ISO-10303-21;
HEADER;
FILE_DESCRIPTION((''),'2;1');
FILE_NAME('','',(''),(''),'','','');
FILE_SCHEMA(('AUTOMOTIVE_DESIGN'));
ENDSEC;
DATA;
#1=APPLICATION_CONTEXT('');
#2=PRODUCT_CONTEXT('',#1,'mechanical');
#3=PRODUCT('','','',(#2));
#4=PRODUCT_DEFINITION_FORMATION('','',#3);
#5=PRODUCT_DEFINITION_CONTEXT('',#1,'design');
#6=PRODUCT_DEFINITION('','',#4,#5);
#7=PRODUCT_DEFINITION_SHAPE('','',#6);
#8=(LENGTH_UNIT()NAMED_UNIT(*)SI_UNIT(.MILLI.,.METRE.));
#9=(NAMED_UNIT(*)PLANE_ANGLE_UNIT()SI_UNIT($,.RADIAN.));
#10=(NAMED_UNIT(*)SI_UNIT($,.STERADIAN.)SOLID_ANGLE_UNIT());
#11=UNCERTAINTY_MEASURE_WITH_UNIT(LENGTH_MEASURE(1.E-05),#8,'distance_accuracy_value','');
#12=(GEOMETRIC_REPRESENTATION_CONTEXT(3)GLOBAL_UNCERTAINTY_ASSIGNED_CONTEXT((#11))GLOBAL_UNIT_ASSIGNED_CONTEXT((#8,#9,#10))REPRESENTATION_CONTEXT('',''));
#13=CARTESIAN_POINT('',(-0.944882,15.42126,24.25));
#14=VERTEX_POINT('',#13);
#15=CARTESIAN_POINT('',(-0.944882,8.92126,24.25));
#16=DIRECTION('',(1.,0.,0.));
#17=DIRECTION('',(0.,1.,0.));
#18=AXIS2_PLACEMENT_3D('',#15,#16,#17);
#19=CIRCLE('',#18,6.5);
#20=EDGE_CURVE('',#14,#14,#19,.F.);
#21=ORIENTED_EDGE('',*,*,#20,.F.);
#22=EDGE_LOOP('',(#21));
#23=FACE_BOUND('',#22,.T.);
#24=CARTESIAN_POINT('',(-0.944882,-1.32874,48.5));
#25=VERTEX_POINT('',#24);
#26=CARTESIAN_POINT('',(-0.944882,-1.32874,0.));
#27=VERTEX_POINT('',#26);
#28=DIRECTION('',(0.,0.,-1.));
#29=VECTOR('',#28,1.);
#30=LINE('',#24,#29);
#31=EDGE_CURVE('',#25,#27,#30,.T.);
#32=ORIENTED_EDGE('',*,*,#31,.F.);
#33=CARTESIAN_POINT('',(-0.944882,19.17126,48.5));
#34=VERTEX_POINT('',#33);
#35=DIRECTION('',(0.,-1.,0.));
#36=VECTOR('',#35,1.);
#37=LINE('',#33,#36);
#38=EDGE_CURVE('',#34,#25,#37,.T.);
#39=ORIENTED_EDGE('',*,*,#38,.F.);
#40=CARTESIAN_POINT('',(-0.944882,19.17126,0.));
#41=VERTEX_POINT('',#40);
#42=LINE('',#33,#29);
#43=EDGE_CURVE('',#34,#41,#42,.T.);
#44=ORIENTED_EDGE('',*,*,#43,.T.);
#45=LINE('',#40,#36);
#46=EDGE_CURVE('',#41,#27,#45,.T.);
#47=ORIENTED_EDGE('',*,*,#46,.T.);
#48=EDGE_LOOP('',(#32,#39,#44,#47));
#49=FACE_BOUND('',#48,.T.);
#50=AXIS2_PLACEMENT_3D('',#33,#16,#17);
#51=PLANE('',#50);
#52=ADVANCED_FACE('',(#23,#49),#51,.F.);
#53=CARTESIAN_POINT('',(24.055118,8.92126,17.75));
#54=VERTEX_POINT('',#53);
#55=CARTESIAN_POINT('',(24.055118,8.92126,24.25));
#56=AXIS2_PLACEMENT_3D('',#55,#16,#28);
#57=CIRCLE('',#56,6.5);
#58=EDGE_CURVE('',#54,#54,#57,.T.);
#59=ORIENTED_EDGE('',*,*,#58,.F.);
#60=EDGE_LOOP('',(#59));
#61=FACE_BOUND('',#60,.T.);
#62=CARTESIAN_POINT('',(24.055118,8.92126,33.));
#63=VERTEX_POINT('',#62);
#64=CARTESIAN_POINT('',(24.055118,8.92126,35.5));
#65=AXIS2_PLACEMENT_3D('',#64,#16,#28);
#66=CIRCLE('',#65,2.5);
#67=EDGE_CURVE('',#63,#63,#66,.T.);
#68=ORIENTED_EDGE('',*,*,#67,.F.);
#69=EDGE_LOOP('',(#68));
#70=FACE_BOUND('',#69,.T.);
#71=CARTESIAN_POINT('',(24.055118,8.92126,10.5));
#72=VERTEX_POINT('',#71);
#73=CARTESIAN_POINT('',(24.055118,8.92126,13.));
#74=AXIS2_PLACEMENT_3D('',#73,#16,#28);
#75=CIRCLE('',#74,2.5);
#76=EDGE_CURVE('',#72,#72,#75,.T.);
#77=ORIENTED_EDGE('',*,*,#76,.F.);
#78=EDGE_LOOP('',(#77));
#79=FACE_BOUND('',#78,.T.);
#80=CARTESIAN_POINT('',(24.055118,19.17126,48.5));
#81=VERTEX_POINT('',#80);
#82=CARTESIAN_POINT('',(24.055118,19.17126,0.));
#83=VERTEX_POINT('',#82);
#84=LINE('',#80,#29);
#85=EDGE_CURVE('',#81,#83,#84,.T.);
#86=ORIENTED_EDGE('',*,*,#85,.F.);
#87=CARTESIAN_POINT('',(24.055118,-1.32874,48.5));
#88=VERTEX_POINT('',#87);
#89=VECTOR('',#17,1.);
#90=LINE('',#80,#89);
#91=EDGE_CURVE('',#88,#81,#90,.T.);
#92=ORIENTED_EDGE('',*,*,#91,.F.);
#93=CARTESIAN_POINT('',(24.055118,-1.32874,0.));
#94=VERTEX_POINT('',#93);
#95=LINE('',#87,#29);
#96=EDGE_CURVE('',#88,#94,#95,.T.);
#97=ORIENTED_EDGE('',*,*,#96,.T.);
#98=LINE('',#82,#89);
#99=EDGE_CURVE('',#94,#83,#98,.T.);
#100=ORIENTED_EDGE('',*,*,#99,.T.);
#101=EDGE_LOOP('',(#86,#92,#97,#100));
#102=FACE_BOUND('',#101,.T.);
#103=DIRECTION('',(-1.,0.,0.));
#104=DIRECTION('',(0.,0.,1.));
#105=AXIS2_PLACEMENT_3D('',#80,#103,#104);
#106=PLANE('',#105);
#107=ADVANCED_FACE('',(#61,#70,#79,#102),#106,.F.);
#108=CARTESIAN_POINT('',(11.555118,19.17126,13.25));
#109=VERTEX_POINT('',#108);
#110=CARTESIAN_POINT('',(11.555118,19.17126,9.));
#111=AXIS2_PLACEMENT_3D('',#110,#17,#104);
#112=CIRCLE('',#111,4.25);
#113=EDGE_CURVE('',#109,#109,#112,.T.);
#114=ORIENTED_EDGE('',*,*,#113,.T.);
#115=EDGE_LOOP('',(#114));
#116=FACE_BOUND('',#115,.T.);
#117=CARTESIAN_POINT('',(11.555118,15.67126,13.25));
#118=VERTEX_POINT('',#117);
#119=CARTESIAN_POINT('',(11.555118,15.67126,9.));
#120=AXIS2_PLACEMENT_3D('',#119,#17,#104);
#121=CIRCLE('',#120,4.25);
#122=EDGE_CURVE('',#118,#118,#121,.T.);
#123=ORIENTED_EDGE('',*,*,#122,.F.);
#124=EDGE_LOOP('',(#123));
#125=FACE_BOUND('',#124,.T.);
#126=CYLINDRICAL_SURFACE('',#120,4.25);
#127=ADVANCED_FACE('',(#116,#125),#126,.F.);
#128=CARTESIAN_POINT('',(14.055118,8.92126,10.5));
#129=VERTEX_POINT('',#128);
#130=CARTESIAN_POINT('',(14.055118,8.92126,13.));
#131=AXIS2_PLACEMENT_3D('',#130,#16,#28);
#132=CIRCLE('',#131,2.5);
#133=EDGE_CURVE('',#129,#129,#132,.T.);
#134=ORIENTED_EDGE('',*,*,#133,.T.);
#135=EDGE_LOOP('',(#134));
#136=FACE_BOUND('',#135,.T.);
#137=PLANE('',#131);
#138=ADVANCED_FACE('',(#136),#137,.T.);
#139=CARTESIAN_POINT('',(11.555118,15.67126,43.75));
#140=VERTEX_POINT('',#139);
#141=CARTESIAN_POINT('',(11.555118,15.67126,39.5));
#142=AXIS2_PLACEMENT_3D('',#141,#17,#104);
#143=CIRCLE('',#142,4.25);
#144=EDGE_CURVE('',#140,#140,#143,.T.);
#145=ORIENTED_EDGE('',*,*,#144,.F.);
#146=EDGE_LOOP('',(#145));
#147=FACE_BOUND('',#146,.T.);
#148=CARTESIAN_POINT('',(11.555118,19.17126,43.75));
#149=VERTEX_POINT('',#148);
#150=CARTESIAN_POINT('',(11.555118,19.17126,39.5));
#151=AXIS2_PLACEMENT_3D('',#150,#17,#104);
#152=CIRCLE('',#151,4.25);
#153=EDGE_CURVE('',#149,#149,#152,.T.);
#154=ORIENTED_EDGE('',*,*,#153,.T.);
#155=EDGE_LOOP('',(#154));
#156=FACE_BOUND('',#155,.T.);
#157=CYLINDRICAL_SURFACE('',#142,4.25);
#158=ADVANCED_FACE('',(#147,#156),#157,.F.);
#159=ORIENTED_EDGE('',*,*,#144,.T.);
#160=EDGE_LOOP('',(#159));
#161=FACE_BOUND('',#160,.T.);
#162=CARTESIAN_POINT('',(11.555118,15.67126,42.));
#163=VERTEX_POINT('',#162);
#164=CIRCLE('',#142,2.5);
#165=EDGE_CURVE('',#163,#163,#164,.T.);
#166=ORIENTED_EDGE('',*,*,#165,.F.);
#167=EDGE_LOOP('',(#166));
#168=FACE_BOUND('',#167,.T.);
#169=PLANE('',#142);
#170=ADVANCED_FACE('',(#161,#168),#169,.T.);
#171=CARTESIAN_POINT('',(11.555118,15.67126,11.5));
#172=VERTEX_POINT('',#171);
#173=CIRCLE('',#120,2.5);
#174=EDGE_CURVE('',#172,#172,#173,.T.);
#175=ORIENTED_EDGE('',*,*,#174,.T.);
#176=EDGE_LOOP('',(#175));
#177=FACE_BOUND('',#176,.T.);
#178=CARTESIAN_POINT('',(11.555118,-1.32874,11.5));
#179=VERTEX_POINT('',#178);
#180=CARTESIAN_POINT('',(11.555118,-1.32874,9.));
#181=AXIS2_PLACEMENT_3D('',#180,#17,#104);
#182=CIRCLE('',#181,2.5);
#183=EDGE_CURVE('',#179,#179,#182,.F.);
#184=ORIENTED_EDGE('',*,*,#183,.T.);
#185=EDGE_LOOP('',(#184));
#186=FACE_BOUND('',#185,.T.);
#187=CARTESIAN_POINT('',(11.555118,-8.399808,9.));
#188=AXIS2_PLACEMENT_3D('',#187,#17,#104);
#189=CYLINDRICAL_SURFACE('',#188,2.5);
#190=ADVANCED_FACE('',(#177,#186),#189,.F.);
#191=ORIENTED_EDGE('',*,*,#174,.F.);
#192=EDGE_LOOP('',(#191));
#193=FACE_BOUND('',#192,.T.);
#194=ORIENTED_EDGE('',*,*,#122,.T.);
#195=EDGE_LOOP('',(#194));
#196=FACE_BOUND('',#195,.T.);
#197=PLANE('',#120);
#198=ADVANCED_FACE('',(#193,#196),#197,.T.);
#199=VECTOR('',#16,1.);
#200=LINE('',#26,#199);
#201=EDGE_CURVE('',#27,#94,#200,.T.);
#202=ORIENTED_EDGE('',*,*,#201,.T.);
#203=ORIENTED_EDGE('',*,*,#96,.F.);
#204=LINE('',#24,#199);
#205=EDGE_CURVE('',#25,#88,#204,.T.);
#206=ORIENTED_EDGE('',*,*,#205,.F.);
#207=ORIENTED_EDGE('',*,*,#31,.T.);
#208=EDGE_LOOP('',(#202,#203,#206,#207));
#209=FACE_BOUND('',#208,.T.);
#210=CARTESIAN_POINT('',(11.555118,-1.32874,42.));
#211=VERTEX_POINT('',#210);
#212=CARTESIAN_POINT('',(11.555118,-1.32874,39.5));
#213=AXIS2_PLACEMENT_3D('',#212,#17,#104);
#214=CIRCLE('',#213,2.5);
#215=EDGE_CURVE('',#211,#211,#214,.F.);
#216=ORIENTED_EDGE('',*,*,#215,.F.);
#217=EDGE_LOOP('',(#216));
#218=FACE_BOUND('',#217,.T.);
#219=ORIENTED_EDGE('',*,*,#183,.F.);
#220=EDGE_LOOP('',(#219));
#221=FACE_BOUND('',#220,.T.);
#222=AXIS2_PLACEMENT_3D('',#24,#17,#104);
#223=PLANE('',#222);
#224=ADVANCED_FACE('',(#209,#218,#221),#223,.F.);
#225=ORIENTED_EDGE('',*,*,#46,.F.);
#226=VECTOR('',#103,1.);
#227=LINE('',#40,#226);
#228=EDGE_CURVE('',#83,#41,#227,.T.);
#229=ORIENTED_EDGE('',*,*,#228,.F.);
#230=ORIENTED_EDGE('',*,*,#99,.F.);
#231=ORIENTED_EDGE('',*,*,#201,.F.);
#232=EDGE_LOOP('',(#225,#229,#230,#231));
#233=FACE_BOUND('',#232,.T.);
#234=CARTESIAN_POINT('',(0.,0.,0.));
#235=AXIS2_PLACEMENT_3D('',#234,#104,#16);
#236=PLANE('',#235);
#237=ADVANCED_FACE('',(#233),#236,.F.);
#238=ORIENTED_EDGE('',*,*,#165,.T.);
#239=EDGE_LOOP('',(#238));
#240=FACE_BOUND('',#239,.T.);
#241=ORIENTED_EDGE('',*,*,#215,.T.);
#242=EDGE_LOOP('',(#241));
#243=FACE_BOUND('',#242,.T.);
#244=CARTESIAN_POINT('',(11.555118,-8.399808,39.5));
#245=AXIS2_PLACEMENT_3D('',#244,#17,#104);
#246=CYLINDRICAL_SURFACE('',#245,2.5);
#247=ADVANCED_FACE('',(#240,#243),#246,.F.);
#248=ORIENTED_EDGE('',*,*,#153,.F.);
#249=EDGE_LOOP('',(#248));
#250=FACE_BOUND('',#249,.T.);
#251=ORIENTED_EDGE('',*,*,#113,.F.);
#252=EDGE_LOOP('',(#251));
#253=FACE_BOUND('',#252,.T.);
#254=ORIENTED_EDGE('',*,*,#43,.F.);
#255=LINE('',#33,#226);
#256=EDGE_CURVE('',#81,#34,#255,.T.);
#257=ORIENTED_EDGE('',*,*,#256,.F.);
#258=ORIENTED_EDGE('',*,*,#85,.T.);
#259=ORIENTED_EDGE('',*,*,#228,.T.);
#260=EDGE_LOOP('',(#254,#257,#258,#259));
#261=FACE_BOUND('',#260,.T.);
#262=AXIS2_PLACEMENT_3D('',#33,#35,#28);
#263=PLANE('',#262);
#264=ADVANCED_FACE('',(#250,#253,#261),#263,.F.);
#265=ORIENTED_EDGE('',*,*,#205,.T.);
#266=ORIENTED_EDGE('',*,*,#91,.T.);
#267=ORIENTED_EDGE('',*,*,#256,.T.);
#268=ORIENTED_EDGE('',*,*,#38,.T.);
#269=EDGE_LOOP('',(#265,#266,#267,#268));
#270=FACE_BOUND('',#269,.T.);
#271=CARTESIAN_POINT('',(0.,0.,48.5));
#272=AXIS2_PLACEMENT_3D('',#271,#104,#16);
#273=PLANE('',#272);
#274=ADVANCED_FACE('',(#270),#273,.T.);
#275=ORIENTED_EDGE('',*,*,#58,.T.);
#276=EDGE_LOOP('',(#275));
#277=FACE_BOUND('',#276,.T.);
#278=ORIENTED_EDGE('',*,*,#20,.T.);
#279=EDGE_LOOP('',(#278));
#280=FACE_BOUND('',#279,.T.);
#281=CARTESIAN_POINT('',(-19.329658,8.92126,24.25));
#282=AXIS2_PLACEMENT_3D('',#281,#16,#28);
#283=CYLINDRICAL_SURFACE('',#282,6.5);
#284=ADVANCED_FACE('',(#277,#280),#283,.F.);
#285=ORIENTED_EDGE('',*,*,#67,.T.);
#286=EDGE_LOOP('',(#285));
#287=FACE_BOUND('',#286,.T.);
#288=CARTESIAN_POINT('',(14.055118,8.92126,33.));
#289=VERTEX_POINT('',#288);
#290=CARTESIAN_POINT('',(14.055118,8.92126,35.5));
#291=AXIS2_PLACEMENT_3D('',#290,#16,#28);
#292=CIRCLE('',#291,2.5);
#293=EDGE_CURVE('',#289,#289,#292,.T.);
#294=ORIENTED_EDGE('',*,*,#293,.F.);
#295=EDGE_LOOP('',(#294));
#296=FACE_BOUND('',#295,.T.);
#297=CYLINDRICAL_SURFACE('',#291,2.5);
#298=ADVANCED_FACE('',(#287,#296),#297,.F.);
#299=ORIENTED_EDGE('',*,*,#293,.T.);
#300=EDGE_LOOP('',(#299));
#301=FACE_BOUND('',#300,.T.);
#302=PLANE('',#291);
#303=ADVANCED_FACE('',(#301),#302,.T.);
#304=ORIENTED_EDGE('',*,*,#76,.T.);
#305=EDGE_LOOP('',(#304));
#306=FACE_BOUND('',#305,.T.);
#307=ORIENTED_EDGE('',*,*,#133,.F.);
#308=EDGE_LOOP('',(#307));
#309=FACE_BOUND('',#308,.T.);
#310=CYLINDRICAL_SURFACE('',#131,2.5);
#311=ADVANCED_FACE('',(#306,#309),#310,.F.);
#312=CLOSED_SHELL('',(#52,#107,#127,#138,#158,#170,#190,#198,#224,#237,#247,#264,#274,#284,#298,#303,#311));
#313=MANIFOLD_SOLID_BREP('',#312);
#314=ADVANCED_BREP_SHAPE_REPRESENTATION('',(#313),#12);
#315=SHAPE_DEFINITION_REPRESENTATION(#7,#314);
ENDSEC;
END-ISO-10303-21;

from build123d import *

# Parameters (mm, degrees)
SKETCH1_W           = 25
SKETCH1_H           = 20.5
BOSS_EXTRUDE1_DEPTH = 48.5
SKETCH2_R           = 4.25
CUT_EXTRUDE1_DEPTH  = 3.5
SKETCH3_R           = 2.5
CUT_EXTRUDE2_DEPTH  = 17
SKETCH4_R           = 6.5
CUT_EXTRUDE3_DEPTH  = 25
SKETCH5_R           = 2.5
CUT_EXTRUDE4_DEPTH  = 10


with BuildPart() as part:
    # Sketch1 → Boss-Extrude1 (new body)
    with BuildSketch(Plane.XY):
        with Locations((11.55511811, 8.921259843)):
            Rectangle(SKETCH1_W, SKETCH1_H)
    extrude(amount=BOSS_EXTRUDE1_DEPTH)

    # Sketch2 → Cut-Extrude1 (cut)
    with BuildSketch(Plane(origin=(0, 19.171259843, 0), x_dir=(1, 0, 0), z_dir=(0, 1, 0))):
        with Locations((11.55511811, -39.5)):
            Circle(SKETCH2_R)
        with Locations((11.55511811, -9)):
            Circle(SKETCH2_R)
    extrude(amount=-CUT_EXTRUDE1_DEPTH, mode=Mode.SUBTRACT)

    # Sketch3 → Cut-Extrude2 (cut)
    with BuildSketch(Plane(origin=(0, 15.671259843, 0), x_dir=(1, 0, 0), z_dir=(0, 1, 0))):
        with Locations((11.55511811, -39.5)):
            Circle(SKETCH3_R)
        with Locations((11.55511811, -9)):
            Circle(SKETCH3_R)
    extrude(amount=-CUT_EXTRUDE2_DEPTH, mode=Mode.SUBTRACT)

    # Sketch4 → Cut-Extrude3 (cut)
    with BuildSketch(Plane(origin=(24.05511811, 0, 0), x_dir=(0, 0, -1), z_dir=(1, 0, 0))):
        with Locations((-24.25, 8.921259843)):
            Circle(SKETCH4_R)
    extrude(amount=-CUT_EXTRUDE3_DEPTH, mode=Mode.SUBTRACT)

    # Sketch5 → Cut-Extrude4 (cut)
    with BuildSketch(Plane(origin=(24.05511811, 0, 0), x_dir=(0, 0, -1), z_dir=(1, 0, 0))):
        with Locations((-13, 8.921259843)):
            Circle(SKETCH5_R)
        with Locations((-35.5, 8.921259843)):
            Circle(SKETCH5_R)
    extrude(amount=-CUT_EXTRUDE4_DEPTH, mode=Mode.SUBTRACT)


solid = part.part
